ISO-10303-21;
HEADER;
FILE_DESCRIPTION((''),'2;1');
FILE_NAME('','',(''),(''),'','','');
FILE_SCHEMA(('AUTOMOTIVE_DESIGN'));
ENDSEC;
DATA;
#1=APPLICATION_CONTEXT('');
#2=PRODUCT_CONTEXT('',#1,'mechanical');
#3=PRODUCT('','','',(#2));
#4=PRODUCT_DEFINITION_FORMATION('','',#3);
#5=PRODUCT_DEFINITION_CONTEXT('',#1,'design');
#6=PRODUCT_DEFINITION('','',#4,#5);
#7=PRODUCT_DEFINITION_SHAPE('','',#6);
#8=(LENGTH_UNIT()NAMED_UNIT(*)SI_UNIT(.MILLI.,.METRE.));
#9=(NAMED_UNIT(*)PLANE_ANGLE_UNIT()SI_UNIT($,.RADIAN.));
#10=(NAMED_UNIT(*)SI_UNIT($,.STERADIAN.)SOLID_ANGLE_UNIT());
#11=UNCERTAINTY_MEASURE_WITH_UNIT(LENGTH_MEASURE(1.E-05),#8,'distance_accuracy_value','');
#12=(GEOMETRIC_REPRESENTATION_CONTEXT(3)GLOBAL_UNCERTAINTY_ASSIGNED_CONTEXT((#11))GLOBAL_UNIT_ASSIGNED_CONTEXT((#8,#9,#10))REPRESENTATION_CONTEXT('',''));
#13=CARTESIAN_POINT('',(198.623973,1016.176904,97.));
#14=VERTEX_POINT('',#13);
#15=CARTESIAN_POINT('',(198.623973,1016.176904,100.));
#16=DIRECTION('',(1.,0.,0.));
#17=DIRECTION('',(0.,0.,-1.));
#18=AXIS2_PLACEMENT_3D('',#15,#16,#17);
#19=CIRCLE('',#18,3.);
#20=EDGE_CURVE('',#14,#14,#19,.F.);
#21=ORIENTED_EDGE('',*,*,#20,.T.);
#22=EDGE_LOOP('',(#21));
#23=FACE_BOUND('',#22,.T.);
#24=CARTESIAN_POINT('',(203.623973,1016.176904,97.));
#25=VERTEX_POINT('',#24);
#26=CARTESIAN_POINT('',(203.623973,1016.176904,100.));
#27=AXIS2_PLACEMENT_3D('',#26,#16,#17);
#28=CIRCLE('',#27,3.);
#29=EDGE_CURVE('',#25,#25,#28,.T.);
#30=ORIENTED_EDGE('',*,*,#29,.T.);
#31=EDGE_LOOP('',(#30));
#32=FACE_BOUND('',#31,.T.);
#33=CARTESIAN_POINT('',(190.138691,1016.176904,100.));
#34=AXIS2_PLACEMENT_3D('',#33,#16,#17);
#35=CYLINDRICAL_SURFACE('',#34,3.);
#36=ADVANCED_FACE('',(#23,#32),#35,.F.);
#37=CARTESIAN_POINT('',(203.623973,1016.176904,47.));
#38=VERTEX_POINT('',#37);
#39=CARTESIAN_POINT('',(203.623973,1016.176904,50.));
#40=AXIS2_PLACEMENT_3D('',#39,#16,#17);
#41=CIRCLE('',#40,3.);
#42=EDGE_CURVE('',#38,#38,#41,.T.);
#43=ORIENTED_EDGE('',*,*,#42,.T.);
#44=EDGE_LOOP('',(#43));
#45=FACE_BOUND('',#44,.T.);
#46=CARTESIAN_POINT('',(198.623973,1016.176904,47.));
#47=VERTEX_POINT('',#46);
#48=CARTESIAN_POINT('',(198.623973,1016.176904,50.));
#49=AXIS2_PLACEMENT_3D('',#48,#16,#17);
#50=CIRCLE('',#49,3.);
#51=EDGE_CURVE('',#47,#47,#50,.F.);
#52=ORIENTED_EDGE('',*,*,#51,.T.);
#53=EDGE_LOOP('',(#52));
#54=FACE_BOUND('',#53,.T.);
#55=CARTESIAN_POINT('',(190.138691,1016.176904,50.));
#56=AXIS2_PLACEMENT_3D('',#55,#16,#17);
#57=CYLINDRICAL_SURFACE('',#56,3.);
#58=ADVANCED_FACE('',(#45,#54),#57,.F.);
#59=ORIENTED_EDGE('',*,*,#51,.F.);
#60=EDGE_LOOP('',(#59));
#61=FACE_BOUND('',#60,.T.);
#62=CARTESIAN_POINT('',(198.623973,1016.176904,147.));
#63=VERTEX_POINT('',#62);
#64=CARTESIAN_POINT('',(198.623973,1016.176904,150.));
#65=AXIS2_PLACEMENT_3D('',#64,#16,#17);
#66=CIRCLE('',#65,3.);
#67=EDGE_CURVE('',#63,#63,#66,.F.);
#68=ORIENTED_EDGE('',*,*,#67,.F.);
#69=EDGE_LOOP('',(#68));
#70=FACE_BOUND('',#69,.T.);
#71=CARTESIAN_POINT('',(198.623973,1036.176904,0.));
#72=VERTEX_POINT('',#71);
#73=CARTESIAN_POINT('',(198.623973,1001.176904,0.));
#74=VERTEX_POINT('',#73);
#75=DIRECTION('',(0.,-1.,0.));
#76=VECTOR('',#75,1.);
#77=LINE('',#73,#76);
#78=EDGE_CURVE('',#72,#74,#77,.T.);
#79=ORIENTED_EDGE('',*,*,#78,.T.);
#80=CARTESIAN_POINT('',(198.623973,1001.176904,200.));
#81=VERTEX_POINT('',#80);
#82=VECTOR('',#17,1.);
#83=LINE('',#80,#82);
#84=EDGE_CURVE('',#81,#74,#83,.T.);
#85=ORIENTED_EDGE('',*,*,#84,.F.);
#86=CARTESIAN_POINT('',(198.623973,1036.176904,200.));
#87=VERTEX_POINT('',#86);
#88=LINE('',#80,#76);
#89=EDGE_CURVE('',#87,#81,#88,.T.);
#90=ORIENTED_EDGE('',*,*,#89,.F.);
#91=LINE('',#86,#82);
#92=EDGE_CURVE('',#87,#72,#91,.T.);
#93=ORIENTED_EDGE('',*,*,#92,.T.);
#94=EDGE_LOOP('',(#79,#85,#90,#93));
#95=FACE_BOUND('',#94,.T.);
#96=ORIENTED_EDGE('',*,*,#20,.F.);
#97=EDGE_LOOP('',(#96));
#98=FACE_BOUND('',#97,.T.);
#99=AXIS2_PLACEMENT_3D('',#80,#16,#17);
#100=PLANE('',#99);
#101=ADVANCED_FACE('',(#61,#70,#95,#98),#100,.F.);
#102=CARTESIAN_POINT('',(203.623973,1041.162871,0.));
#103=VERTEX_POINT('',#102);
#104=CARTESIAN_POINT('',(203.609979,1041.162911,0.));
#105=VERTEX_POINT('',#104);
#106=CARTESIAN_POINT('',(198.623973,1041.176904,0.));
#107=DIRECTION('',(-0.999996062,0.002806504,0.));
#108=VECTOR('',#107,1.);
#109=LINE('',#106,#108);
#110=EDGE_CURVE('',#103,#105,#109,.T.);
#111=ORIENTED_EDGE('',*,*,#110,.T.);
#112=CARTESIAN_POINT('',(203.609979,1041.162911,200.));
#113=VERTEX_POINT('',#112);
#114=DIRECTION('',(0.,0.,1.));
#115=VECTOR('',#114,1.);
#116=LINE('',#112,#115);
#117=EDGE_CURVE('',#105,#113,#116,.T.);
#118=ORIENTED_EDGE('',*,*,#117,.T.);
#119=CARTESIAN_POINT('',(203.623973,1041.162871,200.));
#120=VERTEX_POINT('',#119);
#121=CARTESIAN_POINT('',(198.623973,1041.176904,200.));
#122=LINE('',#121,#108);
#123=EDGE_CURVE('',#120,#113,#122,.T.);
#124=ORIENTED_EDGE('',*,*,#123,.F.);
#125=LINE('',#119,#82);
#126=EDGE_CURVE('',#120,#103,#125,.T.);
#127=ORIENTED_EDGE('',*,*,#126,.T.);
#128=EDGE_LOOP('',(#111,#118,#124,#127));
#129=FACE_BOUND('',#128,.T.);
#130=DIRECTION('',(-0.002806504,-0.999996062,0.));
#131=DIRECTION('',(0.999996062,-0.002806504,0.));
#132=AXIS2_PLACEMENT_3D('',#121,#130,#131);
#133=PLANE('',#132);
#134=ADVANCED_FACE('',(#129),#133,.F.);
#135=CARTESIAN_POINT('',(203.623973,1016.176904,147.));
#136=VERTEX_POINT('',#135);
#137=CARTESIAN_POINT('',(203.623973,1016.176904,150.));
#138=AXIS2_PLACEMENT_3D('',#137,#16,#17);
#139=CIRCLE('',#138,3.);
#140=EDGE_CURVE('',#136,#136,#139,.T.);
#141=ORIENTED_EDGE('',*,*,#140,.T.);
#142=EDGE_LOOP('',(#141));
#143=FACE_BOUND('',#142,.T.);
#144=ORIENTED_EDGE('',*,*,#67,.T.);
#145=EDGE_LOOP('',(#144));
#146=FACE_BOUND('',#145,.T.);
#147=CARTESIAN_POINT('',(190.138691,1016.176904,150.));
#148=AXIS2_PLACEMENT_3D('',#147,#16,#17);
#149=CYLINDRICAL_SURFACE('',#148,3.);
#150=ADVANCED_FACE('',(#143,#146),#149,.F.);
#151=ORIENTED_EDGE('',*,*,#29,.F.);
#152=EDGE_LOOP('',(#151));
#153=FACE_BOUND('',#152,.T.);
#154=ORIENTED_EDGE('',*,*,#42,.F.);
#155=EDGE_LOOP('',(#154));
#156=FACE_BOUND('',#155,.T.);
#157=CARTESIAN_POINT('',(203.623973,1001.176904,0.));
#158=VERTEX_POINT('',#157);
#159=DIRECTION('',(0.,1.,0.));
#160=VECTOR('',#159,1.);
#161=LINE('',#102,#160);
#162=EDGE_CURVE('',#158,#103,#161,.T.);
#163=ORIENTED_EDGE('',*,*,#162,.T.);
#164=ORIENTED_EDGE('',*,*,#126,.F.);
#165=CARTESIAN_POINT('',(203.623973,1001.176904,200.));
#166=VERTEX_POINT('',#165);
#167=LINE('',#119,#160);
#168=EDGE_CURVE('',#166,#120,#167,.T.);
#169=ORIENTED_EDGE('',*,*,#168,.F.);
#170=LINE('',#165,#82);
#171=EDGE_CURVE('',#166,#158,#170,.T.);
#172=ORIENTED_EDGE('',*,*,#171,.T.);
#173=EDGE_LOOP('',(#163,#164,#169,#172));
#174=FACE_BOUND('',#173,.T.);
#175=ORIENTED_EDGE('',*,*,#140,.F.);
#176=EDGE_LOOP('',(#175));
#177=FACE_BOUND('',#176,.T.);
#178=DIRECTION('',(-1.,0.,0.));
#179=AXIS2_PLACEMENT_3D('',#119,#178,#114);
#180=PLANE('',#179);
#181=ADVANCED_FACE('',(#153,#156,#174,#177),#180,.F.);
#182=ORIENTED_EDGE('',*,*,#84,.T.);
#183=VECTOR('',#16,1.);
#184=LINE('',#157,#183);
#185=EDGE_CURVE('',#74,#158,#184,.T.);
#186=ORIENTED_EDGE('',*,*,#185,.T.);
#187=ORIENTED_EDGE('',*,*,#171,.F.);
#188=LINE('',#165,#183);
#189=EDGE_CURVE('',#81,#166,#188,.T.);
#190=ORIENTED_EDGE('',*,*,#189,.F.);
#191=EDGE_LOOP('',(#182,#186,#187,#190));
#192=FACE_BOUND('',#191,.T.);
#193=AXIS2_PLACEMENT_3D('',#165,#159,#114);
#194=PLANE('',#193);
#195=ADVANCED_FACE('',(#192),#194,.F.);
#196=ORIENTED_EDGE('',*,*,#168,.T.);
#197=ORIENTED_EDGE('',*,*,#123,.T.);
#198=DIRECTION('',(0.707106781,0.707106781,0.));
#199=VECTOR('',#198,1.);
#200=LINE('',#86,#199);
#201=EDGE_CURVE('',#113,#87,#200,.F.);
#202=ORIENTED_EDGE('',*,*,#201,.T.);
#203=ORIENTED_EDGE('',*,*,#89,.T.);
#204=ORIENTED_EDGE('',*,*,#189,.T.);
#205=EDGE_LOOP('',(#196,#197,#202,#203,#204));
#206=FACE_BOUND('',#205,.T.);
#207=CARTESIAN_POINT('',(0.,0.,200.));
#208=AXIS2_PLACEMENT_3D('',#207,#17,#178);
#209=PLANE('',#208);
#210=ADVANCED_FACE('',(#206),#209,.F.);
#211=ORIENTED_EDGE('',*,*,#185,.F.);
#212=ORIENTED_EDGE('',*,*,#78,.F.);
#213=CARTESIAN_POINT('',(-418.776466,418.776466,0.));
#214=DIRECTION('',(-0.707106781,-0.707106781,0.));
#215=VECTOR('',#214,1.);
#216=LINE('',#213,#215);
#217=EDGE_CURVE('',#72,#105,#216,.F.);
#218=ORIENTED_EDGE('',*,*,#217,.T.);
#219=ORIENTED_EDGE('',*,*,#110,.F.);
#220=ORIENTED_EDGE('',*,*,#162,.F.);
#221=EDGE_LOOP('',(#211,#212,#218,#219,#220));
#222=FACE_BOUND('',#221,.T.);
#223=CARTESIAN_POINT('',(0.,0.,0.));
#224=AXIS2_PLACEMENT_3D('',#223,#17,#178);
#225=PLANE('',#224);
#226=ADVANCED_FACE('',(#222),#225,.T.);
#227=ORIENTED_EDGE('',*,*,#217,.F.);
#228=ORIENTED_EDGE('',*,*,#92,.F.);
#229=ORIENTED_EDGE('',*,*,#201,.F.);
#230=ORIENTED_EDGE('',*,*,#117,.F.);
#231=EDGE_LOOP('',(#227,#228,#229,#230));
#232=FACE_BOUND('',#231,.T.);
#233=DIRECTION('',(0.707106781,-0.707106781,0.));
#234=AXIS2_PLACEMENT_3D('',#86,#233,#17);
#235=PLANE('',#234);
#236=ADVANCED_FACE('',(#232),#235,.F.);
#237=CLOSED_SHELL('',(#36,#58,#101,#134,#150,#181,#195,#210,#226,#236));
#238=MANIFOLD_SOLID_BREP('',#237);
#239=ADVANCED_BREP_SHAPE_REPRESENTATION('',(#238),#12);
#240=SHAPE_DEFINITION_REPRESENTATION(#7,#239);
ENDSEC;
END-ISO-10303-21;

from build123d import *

# Parameters (mm, degrees)
EXTRUDE_1_DEPTH    = 200
CHAMFER1_SIZE      = 5
CHAMFER1_SIZE2     = 4.986026333
SKETCH1_R          = 3
CUT_EXTRUDE1_DEPTH = 5
LPATTERN1_COUNT    = 3
LPATTERN1_PITCH    = 50


with BuildPart() as part:
    # 草圖1 → 填料-伸長1 (new body)
    with BuildSketch(Plane.XY):
        Polygon((203.623972775, 1001.176903993), (198.623972775, 1001.176903993), (198.623972775, 1041.176903993), (203.623972775, 1041.162871417), align=None)
    extrude(amount=EXTRUDE_1_DEPTH)

    # Chamfer1
    chamfer1_edges = [part.edges().sort_by_distance(p)[0] for p in [
        (198.623972775, 1041.176903993, 100),
    ]]
    chamfer1_side = [part.faces().sort_by_distance(p)[0] for p in [
        (198.623972775, 1021.176903993, 100),
    ]]
    chamfer(chamfer1_edges, length=CHAMFER1_SIZE, length2=CHAMFER1_SIZE2, reference=chamfer1_side[0])

    # Sketch1 → Cut-Extrude1 (cut)
    with BuildSketch(Plane(origin=(203.623972775, 0, 0), x_dir=(0, 0, -1), z_dir=(1, 0, 0))):
        with Locations((-50, 1016.176903993)):
            Circle(SKETCH1_R)
    cut_extrude1 = extrude(amount=-CUT_EXTRUDE1_DEPTH, mode=Mode.SUBTRACT)

    # LPattern1: Cut-Extrude1 ×3
    with Locations(*[(0, 0, i * LPATTERN1_PITCH) for i in range(1, LPATTERN1_COUNT)]):
        add(cut_extrude1, mode=Mode.SUBTRACT)


solid = part.part
